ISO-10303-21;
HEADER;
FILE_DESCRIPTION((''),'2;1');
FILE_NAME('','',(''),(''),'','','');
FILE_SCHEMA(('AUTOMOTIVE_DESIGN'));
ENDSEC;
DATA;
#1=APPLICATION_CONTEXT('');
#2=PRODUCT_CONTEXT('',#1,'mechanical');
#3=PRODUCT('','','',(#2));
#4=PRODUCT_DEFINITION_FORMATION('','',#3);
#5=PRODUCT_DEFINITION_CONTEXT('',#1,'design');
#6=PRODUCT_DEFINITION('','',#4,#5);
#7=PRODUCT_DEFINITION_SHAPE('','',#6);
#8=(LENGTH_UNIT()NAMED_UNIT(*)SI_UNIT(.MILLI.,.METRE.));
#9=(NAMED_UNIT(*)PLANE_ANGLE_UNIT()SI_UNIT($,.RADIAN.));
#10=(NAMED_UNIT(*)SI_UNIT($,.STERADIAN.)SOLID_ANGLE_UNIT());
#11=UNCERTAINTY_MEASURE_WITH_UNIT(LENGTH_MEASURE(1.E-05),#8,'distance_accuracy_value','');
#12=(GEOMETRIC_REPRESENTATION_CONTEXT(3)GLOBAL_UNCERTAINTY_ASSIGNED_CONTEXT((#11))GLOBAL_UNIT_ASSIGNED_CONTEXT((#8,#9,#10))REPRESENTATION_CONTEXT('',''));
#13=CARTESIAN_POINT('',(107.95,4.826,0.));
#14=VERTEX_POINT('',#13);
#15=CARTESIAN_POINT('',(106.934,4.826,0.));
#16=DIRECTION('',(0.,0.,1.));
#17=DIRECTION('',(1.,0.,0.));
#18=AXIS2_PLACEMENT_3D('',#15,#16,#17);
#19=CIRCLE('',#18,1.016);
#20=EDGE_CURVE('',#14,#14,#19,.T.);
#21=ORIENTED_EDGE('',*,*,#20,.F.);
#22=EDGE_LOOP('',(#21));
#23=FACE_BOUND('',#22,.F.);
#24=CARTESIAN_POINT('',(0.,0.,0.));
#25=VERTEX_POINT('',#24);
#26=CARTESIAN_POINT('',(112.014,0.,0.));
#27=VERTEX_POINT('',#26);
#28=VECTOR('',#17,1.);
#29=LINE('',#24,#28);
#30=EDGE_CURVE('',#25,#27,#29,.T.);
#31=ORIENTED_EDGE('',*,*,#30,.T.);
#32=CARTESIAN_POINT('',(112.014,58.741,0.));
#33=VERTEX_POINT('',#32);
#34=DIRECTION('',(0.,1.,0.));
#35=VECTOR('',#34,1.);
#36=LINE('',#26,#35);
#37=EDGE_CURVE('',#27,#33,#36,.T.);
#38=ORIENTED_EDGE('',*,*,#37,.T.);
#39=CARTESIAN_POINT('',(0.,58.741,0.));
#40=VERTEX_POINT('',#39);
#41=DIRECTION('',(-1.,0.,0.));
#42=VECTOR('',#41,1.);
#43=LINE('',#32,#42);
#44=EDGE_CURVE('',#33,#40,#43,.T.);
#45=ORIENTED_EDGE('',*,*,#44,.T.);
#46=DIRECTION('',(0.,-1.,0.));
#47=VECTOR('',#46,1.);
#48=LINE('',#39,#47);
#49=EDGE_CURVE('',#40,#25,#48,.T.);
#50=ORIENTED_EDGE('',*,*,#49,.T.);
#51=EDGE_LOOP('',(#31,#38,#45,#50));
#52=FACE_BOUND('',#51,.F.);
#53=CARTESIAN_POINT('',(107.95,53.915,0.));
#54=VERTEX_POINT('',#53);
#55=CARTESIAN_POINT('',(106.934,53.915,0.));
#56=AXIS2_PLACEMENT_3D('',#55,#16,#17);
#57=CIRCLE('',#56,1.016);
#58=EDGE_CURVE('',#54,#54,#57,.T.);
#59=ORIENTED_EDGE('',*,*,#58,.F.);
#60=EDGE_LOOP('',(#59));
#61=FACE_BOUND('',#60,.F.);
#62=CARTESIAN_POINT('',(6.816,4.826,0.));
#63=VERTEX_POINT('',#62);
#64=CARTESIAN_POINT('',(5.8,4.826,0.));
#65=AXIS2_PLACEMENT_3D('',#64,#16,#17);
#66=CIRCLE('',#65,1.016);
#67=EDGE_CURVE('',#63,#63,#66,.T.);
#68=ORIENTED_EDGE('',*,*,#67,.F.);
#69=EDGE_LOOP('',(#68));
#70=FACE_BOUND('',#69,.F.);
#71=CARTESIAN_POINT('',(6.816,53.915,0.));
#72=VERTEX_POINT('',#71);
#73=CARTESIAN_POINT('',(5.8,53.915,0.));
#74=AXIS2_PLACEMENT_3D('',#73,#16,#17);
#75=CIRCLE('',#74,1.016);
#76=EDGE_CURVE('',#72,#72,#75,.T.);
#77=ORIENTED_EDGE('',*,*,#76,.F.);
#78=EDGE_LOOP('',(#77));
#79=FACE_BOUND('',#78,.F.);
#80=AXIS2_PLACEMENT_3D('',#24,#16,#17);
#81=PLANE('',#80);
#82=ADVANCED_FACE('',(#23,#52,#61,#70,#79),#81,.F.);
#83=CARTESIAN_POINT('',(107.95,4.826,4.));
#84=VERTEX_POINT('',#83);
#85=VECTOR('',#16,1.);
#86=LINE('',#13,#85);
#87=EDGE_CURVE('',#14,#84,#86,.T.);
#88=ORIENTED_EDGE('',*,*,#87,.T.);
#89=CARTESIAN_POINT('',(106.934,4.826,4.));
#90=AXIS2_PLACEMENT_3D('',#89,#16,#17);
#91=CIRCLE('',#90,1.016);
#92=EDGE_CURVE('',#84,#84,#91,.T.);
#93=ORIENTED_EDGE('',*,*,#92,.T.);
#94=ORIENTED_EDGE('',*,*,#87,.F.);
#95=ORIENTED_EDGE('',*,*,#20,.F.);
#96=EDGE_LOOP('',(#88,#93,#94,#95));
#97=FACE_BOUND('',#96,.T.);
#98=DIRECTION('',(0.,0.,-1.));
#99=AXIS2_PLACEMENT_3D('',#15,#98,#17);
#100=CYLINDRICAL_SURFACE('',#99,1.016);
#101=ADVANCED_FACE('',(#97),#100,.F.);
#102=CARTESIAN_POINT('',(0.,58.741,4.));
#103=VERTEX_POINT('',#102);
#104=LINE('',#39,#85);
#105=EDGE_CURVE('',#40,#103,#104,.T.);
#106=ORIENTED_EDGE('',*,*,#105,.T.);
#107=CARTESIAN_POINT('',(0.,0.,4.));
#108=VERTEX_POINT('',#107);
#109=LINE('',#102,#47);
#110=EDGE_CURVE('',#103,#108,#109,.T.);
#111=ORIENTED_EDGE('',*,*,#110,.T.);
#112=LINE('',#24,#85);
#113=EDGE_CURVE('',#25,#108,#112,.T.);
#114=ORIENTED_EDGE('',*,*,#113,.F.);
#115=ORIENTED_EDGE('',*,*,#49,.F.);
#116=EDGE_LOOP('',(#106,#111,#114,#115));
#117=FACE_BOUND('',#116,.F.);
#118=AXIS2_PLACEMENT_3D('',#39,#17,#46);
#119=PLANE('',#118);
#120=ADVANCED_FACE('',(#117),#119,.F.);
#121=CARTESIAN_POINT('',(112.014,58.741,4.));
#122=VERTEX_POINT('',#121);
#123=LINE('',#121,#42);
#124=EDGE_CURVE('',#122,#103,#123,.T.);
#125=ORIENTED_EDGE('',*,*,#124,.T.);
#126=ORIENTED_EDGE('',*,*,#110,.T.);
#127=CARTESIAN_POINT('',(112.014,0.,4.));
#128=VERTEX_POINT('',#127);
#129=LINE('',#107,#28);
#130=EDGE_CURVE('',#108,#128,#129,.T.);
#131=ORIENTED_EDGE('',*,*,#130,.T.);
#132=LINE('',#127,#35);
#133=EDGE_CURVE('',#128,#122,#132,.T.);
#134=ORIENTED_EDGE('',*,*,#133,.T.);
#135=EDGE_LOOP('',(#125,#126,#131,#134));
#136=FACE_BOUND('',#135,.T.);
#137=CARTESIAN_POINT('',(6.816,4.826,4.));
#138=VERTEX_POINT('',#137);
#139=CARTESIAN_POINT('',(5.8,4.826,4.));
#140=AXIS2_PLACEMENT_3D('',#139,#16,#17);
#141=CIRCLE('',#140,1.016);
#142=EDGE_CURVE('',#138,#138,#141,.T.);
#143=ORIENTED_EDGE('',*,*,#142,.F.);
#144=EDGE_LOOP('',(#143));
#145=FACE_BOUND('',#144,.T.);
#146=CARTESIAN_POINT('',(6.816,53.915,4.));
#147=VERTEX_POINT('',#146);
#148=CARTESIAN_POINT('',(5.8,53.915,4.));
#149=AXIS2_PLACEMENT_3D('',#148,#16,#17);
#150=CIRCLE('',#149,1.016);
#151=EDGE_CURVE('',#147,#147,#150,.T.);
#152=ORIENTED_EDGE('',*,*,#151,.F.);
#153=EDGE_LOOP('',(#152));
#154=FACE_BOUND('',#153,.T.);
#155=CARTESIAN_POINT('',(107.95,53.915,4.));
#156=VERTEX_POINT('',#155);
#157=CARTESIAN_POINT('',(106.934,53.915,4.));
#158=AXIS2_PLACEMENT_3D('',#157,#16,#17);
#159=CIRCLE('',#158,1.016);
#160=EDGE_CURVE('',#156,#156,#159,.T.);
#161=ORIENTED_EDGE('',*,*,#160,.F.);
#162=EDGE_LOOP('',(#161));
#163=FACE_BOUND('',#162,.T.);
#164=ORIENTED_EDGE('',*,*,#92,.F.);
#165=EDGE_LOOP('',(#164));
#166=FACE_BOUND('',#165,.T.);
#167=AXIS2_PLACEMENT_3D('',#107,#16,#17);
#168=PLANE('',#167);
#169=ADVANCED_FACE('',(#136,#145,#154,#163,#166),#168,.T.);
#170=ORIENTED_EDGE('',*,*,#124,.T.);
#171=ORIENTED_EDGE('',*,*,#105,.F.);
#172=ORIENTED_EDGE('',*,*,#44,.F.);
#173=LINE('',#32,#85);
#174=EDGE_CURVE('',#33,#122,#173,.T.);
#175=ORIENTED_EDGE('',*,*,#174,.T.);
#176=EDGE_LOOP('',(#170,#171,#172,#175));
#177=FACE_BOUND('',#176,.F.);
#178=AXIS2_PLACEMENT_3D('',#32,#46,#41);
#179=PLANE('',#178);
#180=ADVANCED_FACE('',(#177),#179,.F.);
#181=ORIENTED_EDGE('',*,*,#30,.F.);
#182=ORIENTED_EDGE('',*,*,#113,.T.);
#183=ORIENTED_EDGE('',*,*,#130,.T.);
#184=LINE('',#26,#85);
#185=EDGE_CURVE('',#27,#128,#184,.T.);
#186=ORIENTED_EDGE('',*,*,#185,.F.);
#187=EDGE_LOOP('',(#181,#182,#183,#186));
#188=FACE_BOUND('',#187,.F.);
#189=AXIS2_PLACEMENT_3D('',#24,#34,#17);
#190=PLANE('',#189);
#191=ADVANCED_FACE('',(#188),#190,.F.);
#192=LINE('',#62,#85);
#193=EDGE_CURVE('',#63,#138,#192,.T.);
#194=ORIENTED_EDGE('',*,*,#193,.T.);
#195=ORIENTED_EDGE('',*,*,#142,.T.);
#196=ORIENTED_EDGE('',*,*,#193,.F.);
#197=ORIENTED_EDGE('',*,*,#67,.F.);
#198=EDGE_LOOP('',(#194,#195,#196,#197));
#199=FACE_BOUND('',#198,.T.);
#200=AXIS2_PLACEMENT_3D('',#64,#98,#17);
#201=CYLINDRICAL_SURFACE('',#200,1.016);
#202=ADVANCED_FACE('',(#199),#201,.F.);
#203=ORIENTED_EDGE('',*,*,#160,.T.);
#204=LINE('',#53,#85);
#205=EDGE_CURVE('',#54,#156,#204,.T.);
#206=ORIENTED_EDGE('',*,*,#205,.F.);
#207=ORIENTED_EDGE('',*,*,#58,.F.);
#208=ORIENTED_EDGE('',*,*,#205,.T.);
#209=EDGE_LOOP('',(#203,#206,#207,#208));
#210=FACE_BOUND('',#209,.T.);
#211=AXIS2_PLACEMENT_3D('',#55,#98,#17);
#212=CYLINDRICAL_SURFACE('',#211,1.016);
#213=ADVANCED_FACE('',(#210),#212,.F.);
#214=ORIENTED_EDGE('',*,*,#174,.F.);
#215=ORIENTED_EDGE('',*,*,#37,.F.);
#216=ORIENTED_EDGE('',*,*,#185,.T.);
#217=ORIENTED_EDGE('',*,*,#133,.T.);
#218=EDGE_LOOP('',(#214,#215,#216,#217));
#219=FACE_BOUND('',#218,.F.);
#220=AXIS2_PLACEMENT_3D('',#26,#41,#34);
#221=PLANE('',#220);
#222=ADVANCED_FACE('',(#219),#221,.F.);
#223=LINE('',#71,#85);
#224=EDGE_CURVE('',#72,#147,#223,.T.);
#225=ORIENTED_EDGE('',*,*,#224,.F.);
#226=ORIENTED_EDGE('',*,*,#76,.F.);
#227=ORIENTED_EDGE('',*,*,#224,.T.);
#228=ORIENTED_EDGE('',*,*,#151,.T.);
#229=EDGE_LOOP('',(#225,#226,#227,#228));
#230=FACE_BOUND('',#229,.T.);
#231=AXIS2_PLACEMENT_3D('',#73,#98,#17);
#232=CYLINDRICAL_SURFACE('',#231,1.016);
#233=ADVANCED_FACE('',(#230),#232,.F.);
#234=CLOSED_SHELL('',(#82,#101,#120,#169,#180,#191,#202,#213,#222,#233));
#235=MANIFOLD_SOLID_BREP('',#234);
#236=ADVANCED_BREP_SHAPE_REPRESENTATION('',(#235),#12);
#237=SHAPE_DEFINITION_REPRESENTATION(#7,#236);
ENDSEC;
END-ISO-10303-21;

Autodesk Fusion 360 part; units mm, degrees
sketch "Sketch1" plane through (0, 0, 0) normal (0, 0, 1) x (1, 0, 0)
  line L0 (0, 0) -> (112.014, 0)
  line L1 (112.014, 0) -> (112.014, 58.741)
  line L2 (112.014, 58.741) -> (0, 58.741)
  line L3 (0, 58.741) -> (0, 0)
  circle A0 centre (106.934, 4.826) radius 1.016
  circle A1 centre (5.8, 4.826) radius 1.016
  circle A2 centre (5.8, 53.915) radius 1.016
  circle A3 centre (106.934, 53.915) radius 1.016
  dimension "d1" = 112.014
  dimension "d2" = 58.741
  dimension "d3" = 2.032
  dimension "d4" = 2.032
  dimension "d5" = 2.032
  dimension "d6" = 2.032
extrude "Extrude1" add sketch "Sketch1" along normal blind 4
